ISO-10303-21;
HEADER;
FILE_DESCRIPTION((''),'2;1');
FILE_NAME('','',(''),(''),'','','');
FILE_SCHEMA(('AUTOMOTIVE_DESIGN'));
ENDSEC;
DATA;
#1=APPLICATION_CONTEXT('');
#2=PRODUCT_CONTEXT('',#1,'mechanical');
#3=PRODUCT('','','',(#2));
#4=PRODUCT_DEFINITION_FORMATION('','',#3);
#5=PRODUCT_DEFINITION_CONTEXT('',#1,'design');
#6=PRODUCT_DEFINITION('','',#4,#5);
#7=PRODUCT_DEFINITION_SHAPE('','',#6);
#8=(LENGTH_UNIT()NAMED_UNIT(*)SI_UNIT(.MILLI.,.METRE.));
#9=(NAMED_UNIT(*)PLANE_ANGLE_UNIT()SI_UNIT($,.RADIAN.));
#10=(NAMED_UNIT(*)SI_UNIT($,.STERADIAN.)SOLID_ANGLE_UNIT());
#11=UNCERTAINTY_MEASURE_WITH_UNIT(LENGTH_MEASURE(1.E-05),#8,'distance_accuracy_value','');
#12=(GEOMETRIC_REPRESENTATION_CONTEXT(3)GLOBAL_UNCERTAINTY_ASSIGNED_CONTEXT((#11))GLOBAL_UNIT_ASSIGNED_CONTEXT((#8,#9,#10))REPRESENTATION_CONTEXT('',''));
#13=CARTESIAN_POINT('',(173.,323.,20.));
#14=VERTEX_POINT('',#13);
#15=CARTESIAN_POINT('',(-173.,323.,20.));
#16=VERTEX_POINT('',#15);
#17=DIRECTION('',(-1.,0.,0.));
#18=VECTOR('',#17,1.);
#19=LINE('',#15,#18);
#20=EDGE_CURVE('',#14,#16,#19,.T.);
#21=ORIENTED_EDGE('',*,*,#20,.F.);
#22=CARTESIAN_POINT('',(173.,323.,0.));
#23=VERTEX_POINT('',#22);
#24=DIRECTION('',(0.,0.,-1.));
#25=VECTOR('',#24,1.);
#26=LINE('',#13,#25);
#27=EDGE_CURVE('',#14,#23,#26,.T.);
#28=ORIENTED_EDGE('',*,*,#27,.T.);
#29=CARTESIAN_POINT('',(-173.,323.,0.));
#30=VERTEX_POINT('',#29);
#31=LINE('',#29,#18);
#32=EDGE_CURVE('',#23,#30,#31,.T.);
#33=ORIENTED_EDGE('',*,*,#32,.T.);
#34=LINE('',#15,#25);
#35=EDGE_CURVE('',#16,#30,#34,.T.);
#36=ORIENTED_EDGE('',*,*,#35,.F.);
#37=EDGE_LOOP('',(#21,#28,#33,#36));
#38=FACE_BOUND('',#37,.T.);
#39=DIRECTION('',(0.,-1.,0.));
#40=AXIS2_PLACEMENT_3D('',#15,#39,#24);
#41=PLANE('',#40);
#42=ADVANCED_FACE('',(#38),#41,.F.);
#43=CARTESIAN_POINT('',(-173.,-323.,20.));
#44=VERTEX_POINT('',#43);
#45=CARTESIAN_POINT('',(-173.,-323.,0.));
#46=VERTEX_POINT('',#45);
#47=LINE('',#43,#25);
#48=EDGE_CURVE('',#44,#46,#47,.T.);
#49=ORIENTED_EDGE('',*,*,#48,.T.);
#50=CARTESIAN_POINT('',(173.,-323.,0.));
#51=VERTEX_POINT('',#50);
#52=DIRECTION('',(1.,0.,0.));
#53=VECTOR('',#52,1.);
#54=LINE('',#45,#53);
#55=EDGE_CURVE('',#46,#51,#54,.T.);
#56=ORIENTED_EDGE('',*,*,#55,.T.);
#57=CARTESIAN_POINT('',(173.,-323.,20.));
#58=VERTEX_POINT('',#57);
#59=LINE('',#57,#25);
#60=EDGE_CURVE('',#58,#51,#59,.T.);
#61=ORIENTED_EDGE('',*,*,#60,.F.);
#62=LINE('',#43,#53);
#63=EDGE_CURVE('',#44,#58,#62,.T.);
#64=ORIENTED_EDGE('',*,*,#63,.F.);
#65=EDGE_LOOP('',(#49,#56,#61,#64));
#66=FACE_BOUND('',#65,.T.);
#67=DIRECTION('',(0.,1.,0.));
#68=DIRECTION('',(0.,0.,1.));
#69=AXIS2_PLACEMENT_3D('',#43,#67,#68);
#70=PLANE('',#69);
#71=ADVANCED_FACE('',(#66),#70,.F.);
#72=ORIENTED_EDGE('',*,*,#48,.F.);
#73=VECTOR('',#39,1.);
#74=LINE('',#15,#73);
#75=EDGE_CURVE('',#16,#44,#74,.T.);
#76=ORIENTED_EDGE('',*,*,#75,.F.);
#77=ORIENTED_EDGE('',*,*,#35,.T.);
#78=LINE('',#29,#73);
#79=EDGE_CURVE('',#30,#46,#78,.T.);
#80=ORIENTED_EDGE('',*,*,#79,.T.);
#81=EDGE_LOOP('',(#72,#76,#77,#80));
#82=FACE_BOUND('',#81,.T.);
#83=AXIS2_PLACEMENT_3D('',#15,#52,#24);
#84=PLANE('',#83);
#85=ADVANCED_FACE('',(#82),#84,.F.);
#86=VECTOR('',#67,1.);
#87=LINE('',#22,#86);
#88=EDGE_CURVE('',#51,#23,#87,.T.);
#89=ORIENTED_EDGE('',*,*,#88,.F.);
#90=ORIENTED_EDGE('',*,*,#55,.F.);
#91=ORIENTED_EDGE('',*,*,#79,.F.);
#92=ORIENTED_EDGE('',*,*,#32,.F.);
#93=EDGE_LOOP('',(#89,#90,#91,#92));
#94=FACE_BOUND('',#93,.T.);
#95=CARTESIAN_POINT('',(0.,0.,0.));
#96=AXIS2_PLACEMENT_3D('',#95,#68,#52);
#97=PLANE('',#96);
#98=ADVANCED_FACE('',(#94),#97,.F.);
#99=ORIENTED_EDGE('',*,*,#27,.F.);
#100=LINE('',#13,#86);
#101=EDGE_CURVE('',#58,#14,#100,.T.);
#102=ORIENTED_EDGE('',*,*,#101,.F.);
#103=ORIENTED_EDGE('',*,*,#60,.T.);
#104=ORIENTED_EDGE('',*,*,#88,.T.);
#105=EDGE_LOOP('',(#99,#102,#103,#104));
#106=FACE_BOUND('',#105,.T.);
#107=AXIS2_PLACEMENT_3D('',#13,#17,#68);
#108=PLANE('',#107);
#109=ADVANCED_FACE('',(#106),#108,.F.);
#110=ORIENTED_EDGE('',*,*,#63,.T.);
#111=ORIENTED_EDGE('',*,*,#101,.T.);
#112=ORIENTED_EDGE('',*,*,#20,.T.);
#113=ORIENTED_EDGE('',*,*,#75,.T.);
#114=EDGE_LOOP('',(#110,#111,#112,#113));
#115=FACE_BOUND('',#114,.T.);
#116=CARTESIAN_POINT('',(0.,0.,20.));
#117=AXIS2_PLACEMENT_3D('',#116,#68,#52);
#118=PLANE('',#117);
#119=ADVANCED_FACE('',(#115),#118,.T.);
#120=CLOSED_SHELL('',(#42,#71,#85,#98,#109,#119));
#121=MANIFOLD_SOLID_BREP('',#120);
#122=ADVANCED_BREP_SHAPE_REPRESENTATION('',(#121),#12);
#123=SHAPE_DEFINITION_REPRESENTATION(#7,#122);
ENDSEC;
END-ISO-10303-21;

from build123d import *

# Parameters (mm, degrees)
SKETCH_1_W      = 346
SKETCH_1_H      = 646
EXTRUDE_1_DEPTH = 20


with BuildPart() as part:
    # 草圖1 → 填料-伸長1 (new body)
    with BuildSketch(Plane.XY):
        Rectangle(SKETCH_1_W, SKETCH_1_H)
    extrude(amount=EXTRUDE_1_DEPTH)


solid = part.part
